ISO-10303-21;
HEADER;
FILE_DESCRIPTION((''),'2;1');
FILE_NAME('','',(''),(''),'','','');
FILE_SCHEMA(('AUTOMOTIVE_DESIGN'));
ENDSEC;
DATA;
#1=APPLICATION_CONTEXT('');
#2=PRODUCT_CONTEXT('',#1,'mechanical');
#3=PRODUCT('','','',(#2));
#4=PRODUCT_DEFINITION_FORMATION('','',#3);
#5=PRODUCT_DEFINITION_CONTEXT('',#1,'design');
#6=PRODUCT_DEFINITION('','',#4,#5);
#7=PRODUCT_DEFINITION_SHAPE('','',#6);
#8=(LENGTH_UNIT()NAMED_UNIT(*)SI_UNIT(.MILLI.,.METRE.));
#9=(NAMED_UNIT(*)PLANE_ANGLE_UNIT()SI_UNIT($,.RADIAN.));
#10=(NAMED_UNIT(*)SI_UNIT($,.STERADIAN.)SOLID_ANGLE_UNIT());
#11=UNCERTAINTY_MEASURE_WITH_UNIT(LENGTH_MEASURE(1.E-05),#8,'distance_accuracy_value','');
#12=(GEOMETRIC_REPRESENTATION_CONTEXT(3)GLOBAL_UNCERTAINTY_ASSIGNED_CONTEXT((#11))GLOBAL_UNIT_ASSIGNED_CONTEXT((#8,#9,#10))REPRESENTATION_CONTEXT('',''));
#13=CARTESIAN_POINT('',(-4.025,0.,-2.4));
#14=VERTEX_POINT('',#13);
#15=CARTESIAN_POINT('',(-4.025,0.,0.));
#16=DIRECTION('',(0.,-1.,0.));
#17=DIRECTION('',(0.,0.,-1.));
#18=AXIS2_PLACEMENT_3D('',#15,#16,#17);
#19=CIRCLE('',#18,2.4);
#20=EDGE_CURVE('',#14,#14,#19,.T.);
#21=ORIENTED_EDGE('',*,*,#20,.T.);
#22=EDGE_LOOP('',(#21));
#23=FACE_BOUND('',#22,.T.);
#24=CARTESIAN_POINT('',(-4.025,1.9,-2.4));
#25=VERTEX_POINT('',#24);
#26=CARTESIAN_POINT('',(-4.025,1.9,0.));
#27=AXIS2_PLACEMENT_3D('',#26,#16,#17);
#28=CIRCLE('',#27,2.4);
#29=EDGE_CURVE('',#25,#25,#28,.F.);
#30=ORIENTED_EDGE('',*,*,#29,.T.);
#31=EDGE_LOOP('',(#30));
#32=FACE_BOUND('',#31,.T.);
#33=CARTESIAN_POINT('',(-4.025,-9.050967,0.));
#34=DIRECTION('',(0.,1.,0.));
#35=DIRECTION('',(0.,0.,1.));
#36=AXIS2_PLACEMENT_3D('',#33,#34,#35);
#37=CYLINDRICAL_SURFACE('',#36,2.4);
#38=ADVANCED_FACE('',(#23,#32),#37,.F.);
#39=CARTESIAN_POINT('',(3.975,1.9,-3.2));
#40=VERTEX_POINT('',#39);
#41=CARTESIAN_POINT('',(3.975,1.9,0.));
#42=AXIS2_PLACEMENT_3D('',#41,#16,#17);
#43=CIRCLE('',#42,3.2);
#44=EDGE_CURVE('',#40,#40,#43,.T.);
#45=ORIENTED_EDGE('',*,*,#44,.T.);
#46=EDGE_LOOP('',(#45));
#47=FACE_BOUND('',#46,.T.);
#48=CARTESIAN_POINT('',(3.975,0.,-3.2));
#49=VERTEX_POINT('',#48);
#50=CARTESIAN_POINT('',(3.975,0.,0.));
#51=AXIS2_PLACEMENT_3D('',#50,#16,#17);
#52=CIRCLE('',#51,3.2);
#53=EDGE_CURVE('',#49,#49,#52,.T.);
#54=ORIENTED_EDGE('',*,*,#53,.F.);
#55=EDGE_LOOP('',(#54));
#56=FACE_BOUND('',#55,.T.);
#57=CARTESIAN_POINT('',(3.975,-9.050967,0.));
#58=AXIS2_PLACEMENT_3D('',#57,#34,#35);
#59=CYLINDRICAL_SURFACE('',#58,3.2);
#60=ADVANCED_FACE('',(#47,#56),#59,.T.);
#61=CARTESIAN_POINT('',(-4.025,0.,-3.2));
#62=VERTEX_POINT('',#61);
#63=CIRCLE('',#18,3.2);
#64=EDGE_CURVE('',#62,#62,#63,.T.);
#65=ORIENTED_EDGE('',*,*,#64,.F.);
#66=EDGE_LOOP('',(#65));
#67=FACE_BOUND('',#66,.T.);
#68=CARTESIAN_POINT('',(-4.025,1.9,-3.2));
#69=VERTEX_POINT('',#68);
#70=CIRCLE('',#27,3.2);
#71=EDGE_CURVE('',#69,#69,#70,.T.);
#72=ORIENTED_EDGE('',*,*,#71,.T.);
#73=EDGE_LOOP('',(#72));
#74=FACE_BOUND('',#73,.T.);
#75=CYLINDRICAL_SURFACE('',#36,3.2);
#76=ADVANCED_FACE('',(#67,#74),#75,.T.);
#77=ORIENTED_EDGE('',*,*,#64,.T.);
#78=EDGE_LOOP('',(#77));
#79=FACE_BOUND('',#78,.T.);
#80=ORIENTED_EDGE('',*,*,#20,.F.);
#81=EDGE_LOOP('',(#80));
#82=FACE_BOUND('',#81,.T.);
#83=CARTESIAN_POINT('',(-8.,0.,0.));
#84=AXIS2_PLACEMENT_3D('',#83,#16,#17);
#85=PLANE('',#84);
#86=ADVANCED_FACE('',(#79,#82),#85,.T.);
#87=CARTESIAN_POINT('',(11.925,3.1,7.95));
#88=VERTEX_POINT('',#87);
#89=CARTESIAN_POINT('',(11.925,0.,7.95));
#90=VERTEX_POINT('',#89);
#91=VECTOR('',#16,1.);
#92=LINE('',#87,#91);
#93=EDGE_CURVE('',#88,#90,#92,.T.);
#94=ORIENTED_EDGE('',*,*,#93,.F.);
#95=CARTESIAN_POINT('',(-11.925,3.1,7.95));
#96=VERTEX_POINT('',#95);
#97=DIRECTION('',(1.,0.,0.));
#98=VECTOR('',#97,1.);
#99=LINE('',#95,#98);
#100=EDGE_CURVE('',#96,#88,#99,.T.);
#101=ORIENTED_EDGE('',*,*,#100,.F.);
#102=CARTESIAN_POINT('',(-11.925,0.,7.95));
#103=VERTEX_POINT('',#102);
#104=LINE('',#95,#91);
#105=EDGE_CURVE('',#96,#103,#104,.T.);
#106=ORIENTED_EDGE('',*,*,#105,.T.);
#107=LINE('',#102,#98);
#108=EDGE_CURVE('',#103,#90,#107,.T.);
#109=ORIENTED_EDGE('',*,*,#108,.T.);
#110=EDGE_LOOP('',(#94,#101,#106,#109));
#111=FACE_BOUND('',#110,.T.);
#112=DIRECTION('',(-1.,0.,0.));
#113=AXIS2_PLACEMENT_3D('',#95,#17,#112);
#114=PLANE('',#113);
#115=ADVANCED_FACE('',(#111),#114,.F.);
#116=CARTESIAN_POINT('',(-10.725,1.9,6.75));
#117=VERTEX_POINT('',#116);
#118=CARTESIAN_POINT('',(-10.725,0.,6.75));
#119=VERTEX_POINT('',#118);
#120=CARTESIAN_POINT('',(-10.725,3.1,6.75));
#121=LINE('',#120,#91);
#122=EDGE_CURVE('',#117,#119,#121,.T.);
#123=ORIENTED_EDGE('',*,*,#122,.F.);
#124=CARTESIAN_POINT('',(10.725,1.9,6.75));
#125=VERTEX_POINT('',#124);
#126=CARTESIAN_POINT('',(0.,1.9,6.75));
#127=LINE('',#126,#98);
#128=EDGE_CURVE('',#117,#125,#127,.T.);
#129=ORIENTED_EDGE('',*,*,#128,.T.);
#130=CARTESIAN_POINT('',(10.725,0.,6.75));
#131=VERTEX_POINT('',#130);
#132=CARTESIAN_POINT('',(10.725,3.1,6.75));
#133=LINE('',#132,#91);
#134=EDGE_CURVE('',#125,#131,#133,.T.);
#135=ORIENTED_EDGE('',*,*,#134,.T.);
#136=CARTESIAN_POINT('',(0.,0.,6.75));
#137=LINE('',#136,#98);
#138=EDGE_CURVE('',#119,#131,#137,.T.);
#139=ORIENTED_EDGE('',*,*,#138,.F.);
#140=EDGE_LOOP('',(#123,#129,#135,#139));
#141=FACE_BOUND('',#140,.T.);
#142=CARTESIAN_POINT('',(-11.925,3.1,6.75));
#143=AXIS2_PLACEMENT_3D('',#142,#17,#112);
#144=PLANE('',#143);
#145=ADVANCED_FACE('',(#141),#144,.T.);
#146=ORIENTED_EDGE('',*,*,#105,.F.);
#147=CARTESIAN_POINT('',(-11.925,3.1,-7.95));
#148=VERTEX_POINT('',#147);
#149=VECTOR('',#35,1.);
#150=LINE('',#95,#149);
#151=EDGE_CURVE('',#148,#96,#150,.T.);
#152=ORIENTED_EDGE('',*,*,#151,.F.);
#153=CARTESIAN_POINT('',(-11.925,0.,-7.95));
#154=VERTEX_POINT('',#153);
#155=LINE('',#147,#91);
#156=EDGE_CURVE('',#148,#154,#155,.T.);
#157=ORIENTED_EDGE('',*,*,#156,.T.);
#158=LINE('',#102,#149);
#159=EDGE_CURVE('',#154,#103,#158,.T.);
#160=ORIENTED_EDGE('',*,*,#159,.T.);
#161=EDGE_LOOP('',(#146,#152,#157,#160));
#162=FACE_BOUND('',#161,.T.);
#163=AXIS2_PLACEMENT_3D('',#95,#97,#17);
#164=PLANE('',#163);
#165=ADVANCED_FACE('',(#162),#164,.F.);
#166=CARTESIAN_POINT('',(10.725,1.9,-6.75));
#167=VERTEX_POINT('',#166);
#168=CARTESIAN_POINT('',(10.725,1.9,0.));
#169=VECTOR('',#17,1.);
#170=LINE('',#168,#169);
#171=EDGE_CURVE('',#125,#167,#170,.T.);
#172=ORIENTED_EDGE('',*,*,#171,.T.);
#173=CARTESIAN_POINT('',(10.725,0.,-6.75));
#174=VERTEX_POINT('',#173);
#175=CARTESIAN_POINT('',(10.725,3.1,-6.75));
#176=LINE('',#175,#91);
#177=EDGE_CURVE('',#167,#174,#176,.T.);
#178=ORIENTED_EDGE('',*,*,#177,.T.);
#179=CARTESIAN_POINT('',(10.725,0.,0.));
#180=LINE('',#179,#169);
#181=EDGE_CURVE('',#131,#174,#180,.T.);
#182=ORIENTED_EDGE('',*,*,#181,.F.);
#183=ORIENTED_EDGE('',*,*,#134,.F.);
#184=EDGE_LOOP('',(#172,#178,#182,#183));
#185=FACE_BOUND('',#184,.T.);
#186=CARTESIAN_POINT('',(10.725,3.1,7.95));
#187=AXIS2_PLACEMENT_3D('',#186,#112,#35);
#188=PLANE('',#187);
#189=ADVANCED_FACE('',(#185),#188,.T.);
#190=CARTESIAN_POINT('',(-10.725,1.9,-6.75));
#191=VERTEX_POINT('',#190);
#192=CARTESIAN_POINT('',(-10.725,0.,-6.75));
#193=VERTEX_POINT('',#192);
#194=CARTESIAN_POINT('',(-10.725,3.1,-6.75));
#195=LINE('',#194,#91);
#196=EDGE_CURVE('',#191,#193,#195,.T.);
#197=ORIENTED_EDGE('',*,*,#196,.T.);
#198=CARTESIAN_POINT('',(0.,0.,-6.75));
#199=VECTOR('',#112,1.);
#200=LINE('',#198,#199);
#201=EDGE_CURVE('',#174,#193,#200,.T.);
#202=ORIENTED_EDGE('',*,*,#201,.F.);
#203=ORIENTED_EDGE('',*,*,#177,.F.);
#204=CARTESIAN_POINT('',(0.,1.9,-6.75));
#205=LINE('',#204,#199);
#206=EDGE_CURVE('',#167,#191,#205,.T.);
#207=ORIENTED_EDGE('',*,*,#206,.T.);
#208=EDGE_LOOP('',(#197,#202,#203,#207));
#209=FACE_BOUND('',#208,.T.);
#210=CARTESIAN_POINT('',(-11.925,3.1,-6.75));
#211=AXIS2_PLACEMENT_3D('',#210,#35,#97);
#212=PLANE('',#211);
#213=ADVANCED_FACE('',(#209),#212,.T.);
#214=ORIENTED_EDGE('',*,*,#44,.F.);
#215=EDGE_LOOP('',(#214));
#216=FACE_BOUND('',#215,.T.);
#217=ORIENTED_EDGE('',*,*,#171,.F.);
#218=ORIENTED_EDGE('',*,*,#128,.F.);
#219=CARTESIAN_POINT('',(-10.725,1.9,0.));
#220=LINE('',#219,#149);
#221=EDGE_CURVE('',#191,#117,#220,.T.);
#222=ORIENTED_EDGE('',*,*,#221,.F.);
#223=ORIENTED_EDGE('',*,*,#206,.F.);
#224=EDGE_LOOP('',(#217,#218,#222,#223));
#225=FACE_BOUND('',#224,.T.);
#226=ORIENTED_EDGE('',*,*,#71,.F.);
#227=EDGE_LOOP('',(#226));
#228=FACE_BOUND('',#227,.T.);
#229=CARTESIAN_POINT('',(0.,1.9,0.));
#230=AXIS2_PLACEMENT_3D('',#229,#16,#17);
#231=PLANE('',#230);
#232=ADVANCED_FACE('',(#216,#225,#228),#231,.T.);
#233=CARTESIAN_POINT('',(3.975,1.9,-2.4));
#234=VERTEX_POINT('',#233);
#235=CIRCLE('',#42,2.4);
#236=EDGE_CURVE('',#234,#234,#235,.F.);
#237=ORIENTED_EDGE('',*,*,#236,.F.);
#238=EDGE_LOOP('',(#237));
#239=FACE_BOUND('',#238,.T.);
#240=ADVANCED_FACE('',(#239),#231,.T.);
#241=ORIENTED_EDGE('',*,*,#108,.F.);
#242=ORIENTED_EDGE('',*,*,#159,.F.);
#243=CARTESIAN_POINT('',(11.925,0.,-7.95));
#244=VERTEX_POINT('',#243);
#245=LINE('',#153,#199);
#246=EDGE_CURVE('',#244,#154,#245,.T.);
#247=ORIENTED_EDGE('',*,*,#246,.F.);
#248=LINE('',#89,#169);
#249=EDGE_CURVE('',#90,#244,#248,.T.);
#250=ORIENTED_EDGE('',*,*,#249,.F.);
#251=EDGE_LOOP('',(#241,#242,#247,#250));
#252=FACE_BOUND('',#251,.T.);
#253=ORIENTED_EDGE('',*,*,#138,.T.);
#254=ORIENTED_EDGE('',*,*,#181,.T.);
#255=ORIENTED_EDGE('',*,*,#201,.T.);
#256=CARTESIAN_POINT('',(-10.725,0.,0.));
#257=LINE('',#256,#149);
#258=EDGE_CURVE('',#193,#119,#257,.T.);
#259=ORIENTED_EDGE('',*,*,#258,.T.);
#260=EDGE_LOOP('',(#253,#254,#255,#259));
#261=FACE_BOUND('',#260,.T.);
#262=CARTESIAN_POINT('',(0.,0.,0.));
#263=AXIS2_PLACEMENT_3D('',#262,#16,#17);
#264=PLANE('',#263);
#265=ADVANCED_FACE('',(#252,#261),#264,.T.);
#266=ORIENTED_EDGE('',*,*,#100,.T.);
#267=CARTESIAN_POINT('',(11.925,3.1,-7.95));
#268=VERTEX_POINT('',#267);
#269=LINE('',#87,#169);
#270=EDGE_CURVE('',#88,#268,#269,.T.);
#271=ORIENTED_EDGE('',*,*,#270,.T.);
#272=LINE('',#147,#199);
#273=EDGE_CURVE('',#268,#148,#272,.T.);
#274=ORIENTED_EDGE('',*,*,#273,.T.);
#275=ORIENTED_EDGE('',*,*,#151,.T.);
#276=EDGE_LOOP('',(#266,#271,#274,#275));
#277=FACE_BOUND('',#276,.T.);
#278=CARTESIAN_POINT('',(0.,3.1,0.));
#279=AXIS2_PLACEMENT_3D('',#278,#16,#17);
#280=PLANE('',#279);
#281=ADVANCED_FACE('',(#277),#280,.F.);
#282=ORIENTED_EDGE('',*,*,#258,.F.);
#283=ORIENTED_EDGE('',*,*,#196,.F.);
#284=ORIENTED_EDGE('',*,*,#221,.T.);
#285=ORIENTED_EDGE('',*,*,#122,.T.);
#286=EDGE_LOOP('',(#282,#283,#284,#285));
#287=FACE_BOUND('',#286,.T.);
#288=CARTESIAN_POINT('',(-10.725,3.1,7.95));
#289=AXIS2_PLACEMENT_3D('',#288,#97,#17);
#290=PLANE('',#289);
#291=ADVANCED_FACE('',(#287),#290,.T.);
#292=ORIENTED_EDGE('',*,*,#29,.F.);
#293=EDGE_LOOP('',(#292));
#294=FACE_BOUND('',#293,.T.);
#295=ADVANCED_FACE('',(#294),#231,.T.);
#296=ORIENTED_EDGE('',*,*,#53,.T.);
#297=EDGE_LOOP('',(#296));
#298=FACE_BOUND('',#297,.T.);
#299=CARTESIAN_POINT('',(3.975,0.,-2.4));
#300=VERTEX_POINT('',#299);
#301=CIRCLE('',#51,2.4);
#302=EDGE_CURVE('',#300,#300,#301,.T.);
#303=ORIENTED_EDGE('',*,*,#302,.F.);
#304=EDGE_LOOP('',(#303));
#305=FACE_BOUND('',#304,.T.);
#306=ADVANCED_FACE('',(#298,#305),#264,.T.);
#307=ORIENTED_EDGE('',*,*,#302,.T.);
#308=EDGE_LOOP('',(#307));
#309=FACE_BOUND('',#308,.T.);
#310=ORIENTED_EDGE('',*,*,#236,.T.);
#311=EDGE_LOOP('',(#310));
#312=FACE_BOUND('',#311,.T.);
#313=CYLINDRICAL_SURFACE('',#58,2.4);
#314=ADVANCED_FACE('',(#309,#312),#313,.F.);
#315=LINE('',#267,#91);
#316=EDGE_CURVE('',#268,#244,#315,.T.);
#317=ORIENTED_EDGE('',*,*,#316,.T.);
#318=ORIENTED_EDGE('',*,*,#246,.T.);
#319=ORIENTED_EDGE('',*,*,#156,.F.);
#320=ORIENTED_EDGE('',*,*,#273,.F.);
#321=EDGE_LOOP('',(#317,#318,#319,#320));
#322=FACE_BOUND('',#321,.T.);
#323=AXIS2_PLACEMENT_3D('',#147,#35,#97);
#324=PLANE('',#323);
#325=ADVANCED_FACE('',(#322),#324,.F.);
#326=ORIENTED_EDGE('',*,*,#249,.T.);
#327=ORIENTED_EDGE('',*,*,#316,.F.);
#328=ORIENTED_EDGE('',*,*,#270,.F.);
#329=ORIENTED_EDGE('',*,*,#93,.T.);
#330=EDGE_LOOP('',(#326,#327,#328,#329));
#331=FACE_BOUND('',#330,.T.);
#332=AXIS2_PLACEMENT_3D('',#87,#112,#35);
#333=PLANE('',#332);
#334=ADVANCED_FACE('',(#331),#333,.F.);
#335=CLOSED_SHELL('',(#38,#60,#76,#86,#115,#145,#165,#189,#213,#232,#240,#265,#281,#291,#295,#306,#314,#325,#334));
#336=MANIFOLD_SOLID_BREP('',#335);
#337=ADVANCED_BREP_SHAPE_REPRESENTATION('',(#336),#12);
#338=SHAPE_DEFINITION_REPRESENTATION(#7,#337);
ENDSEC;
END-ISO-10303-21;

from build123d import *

# Parameters (mm, degrees)
SKETCH1_W           = 23.85
SKETCH1_H           = 15.9
BOSS_EXTRUDE1_DEPTH = 3.1
SHELL1_T            = -1.2
SKETCH2_R           = 3.2
SKETCH2_R_2         = 2.4
BOSS_EXTRUDE2_DEPTH = 1.9
LPATTERN1_COUNT     = 2
LPATTERN1_PITCH     = 8


with BuildPart() as part:
    # Sketch1 → Boss-Extrude1 (new body)
    with BuildSketch(Plane(origin=(0, 0, 0), x_dir=(1, 0, 0), z_dir=(0, 1, 0))):
        Rectangle(SKETCH1_W, SKETCH1_H)
    extrude(amount=BOSS_EXTRUDE1_DEPTH)

    # Shell1
    shell1_openings = [part.faces().sort_by_distance(p)[0] for p in [
        (0, 0, 0),
    ]]
    offset(amount=SHELL1_T, openings=shell1_openings, kind=Kind.INTERSECTION)

    # Sketch2 → Boss-Extrude2 (add)
    with BuildSketch(Plane.XZ.offset(-1.9)):
        with Locations(Location((3.975, 0, 0), (0, 0, 270))):
            Circle(SKETCH2_R)
        with Locations(Location((3.975, 0, 0), (0, 0, 270))):
            Circle(SKETCH2_R_2, mode=Mode.SUBTRACT)
    boss_extrude2 = extrude(amount=BOSS_EXTRUDE2_DEPTH)

    # LPattern1: Boss-Extrude2 ×2
    with Locations(*[(-i * LPATTERN1_PITCH, 0, 0) for i in range(1, LPATTERN1_COUNT)]):
        add(boss_extrude2)


solid = part.part
